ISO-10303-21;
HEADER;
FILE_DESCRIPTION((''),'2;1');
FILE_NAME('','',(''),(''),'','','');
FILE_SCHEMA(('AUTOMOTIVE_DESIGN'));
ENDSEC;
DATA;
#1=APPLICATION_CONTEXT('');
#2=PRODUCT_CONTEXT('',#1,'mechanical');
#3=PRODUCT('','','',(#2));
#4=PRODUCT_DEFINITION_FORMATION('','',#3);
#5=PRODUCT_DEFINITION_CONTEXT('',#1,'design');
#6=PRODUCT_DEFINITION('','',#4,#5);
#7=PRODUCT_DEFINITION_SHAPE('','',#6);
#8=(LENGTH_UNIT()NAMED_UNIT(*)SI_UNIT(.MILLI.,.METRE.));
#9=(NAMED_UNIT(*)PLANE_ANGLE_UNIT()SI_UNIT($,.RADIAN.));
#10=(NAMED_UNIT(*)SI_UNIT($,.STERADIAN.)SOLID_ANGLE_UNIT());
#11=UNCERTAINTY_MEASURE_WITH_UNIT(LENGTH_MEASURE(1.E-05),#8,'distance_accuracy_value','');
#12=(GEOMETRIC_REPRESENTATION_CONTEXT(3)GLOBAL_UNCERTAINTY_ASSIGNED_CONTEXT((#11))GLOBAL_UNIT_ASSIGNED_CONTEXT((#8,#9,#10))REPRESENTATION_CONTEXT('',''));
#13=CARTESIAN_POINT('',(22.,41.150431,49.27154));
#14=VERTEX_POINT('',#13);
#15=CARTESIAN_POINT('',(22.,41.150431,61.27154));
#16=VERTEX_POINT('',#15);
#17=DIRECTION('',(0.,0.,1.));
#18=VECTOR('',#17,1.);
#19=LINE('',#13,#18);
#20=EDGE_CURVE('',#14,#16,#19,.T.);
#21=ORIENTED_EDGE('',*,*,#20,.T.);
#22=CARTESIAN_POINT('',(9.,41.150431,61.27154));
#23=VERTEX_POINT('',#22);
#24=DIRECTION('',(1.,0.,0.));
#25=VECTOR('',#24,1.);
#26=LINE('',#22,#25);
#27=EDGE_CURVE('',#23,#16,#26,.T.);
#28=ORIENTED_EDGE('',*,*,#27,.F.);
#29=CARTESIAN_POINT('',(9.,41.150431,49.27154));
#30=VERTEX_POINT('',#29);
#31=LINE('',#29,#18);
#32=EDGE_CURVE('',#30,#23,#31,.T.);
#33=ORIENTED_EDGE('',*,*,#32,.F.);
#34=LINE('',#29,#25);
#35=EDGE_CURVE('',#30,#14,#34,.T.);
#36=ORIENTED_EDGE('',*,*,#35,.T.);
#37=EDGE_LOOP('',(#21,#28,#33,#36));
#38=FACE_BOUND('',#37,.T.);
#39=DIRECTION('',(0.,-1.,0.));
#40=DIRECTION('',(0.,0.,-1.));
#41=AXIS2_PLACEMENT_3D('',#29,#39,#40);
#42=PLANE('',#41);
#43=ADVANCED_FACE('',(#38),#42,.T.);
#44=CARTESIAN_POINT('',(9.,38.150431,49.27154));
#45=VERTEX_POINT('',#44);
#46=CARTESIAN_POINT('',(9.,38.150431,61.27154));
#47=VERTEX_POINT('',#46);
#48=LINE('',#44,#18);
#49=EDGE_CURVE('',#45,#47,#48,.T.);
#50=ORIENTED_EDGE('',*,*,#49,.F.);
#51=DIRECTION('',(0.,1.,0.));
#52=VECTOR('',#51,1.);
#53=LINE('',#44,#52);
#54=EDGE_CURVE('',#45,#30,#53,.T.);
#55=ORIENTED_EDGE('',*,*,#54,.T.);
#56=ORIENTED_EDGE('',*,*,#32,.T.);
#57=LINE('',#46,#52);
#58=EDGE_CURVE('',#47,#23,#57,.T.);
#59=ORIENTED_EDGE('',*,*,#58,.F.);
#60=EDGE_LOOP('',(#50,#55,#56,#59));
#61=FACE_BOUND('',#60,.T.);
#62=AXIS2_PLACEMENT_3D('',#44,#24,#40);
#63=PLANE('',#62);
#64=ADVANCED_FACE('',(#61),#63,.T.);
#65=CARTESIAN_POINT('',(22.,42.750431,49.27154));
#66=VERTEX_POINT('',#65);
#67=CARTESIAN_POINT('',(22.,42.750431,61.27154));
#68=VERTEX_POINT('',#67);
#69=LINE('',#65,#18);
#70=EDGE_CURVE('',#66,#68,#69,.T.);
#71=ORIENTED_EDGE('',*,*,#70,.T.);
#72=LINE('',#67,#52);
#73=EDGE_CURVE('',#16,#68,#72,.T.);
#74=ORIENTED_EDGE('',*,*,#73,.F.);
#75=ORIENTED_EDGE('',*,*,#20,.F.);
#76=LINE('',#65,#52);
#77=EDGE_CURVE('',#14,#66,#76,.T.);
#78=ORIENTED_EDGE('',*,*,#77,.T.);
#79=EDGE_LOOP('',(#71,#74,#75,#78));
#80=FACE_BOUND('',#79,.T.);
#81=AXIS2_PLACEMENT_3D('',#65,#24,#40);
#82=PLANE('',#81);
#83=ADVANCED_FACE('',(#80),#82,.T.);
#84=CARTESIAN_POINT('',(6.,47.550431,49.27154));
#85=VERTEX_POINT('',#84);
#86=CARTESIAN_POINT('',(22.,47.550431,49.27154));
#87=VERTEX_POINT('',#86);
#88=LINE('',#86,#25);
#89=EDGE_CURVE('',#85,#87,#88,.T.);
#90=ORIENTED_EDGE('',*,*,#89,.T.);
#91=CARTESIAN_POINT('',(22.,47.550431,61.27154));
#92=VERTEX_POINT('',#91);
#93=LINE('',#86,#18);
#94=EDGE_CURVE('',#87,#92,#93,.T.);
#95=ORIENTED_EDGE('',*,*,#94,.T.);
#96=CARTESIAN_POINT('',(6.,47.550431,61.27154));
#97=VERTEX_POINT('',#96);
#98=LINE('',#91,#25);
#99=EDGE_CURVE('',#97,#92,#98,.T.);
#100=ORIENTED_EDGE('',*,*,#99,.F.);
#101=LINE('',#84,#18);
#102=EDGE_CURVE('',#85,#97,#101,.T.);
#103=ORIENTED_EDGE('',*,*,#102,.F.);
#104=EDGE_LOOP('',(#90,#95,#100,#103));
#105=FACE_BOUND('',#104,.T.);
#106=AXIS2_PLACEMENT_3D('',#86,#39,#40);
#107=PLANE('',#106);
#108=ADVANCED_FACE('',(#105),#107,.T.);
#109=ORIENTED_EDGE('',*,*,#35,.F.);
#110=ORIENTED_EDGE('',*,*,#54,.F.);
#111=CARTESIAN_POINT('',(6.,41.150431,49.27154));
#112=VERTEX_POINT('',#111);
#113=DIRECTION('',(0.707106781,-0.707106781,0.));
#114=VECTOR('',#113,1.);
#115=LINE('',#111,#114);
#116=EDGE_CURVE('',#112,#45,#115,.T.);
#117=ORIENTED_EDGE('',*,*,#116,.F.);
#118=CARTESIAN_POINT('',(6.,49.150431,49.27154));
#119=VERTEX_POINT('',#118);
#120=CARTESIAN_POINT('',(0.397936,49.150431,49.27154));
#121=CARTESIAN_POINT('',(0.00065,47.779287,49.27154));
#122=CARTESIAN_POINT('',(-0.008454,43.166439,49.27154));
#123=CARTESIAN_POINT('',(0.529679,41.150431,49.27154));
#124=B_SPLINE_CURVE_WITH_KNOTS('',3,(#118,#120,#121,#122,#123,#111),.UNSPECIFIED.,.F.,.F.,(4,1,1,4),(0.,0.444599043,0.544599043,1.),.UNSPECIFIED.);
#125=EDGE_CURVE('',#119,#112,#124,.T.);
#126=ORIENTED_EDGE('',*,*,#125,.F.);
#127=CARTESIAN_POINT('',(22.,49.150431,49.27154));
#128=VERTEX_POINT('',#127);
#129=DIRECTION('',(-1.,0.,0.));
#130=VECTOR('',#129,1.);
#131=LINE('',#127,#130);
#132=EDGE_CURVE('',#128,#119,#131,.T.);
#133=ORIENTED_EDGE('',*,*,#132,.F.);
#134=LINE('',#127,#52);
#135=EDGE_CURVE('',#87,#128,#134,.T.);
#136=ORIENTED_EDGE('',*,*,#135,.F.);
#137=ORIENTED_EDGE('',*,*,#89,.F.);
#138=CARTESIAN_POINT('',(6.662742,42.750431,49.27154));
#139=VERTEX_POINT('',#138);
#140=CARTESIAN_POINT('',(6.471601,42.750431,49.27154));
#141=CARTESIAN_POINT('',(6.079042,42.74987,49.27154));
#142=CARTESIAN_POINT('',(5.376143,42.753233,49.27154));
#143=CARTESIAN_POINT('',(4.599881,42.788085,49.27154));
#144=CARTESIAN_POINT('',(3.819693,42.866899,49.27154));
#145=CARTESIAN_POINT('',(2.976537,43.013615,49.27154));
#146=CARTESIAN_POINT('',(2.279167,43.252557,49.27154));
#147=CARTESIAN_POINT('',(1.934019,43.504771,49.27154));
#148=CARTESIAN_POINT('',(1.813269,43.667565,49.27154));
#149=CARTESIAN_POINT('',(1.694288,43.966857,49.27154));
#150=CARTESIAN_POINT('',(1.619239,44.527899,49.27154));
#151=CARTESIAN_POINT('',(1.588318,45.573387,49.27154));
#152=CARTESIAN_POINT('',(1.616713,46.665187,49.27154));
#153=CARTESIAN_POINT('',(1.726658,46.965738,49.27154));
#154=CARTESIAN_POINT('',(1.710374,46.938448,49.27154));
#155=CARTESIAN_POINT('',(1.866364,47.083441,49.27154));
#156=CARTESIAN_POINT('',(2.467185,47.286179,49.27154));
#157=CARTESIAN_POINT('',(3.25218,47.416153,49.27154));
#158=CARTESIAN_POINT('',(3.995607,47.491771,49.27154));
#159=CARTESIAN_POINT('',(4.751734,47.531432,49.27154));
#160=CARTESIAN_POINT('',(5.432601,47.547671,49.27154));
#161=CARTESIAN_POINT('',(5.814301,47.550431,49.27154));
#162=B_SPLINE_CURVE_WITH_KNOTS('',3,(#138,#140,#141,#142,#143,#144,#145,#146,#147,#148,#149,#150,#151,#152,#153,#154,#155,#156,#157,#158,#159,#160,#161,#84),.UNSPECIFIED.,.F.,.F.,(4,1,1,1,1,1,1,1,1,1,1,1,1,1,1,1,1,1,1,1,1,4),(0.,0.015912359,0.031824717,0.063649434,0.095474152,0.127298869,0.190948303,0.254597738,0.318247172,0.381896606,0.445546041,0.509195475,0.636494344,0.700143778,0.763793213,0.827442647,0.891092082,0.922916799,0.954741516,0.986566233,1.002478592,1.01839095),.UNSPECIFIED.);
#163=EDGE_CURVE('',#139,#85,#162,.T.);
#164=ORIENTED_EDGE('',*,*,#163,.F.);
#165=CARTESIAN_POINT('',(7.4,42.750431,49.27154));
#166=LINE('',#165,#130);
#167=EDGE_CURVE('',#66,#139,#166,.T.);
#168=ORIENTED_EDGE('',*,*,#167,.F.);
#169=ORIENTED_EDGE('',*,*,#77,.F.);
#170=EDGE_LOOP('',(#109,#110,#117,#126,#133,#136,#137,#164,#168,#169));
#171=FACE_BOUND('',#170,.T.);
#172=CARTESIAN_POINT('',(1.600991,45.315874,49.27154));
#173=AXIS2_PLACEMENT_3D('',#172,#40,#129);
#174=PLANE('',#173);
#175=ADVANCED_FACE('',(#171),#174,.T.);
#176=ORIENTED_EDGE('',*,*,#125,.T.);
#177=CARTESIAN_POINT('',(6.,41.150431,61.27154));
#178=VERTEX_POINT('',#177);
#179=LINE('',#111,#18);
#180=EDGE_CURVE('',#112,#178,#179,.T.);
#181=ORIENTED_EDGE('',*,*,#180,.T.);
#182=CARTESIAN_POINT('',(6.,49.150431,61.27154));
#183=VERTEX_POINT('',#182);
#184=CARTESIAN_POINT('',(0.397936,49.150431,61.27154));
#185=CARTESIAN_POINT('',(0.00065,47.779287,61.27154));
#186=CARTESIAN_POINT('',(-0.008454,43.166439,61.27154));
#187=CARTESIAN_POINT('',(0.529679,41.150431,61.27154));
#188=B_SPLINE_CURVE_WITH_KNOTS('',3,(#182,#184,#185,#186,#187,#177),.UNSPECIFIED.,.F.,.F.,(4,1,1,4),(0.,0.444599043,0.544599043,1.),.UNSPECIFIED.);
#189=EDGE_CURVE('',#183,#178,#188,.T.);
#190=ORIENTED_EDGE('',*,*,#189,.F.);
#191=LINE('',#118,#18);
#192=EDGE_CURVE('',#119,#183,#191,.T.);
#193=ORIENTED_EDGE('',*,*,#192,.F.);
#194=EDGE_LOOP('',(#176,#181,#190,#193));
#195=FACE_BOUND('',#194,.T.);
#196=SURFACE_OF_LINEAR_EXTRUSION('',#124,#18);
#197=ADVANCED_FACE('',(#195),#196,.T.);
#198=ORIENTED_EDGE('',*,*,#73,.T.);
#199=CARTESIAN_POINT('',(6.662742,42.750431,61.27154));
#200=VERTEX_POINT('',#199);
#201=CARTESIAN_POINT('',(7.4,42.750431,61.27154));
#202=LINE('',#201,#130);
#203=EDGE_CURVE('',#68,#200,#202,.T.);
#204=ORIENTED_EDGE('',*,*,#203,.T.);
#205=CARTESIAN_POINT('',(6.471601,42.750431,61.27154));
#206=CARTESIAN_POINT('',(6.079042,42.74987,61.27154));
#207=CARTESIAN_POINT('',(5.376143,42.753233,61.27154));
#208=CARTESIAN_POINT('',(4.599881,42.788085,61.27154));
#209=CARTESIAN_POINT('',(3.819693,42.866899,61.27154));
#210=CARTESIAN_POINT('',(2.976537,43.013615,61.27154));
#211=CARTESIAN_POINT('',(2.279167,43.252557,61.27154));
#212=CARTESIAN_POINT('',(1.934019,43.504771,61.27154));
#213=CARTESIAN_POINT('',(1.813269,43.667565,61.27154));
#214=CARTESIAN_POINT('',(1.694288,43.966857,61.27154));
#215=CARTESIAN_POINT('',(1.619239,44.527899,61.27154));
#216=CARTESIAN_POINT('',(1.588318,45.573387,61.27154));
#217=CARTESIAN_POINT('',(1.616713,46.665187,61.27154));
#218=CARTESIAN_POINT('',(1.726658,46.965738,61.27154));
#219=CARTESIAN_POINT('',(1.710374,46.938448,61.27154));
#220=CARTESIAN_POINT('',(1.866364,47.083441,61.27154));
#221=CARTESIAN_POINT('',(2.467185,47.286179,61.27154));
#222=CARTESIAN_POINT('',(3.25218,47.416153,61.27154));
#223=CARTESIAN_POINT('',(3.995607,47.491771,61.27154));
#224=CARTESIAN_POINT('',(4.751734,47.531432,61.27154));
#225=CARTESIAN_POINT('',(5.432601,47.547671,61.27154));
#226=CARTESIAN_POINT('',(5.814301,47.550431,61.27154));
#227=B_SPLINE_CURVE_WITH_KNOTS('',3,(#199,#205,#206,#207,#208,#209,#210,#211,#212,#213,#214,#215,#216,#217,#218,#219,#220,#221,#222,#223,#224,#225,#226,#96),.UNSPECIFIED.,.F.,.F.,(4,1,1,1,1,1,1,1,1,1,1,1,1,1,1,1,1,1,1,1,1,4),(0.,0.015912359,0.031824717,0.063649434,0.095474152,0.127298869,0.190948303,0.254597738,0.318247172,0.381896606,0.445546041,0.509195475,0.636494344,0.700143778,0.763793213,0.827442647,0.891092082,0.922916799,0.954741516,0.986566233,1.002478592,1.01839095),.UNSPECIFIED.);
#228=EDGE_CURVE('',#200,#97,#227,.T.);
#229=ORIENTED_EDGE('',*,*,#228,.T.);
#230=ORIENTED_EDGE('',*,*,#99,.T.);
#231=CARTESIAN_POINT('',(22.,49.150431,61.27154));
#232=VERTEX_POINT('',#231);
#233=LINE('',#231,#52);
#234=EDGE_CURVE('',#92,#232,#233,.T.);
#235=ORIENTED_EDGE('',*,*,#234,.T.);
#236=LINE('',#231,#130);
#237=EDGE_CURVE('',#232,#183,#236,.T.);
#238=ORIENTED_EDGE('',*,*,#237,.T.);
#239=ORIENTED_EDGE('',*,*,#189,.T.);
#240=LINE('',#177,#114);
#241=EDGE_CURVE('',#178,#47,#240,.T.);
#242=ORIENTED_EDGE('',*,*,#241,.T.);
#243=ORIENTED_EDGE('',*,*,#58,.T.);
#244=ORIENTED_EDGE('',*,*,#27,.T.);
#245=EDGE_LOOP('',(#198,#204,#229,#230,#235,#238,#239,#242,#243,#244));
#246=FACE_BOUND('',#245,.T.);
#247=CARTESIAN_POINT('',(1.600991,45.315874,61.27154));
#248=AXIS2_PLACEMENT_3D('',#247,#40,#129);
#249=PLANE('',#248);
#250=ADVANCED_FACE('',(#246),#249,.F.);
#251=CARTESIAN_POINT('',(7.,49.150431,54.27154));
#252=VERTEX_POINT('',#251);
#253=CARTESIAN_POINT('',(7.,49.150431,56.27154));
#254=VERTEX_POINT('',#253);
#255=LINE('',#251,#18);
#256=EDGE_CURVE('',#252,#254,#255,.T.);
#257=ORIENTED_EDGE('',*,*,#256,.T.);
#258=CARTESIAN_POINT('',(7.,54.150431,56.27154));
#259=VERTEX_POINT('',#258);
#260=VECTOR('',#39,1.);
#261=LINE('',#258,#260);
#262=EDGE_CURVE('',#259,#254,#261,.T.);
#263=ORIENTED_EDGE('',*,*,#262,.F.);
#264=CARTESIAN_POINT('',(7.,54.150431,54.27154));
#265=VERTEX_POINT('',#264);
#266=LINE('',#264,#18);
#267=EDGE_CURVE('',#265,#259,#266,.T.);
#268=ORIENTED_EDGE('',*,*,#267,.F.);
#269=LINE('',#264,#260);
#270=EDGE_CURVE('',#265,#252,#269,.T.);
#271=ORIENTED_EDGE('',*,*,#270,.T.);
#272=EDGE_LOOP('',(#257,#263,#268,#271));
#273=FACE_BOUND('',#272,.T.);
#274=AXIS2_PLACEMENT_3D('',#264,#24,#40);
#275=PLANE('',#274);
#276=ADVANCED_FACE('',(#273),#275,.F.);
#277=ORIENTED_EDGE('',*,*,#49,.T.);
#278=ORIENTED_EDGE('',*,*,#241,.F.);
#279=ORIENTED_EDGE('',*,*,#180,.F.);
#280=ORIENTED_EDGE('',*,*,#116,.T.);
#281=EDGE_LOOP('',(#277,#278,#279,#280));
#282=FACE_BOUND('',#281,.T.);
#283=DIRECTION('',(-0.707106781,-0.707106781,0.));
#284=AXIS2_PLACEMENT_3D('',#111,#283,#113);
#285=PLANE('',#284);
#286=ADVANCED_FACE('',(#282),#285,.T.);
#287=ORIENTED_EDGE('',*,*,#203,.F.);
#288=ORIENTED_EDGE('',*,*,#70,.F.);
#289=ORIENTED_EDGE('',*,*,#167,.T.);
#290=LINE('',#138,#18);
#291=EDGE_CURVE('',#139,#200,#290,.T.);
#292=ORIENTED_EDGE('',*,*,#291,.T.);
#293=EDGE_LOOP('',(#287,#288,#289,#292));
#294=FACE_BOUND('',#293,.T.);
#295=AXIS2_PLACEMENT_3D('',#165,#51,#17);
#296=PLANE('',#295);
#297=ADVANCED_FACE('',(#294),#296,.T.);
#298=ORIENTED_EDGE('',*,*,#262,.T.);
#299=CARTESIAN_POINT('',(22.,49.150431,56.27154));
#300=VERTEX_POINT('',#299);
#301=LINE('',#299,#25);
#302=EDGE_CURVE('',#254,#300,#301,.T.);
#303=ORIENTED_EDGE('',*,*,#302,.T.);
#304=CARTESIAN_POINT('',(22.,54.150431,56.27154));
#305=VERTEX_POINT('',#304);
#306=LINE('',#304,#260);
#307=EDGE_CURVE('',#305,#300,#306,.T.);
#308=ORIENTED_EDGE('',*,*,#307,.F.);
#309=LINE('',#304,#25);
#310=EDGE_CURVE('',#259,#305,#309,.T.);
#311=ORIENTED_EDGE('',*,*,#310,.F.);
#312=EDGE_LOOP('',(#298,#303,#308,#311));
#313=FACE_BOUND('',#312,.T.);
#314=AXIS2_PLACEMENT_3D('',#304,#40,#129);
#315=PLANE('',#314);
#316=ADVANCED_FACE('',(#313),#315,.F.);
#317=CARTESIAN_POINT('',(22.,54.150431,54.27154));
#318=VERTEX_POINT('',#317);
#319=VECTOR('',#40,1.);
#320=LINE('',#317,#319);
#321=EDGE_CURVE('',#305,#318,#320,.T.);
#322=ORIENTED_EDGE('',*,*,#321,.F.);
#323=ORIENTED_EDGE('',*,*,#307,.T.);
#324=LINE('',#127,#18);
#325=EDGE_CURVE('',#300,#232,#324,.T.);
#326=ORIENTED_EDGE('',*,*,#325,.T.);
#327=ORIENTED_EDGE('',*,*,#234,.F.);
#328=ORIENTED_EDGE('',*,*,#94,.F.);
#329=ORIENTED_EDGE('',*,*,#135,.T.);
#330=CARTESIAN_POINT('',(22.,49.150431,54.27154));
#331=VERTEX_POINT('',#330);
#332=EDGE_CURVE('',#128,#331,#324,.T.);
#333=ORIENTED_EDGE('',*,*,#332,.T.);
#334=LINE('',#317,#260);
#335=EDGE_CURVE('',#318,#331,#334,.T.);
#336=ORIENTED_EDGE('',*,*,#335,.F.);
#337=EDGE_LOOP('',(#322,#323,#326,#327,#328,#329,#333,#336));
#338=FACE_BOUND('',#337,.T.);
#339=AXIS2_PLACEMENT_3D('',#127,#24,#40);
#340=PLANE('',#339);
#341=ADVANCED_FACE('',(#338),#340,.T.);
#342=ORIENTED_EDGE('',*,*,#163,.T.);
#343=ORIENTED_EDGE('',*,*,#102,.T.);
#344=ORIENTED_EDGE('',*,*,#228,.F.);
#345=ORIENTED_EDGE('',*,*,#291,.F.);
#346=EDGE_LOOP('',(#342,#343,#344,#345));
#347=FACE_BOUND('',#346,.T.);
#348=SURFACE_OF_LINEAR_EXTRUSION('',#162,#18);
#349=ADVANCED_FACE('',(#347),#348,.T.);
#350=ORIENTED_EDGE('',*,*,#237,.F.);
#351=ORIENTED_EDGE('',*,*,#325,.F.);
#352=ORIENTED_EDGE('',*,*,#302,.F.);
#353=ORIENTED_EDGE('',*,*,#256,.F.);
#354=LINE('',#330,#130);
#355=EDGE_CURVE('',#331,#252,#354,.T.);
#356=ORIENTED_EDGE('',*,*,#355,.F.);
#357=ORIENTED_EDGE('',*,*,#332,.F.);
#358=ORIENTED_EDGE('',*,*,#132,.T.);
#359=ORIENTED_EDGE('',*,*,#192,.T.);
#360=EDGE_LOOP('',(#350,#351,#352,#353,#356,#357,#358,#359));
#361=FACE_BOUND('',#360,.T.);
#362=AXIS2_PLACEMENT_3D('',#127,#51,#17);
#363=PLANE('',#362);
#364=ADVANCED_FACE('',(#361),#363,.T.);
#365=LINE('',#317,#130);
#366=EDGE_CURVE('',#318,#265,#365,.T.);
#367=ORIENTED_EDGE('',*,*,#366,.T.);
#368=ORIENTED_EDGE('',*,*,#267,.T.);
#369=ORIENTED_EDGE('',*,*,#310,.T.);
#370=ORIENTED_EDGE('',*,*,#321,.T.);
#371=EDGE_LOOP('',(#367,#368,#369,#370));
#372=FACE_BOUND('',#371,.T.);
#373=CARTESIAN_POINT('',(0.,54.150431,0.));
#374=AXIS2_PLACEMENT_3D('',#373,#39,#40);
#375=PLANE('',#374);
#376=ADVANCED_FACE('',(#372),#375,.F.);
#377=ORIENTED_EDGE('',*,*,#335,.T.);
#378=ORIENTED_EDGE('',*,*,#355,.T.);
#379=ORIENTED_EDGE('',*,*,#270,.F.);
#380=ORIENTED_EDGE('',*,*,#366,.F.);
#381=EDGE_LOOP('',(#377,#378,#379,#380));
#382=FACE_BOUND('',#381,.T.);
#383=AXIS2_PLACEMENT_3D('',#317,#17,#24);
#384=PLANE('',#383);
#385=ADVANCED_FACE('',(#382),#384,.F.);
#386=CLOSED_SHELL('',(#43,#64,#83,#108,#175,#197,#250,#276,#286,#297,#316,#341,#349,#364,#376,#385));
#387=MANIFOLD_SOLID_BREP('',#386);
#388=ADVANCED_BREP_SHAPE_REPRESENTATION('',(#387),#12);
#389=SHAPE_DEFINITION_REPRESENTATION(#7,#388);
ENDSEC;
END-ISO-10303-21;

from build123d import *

# Parameters (mm, degrees)
BOSS_EXTRUDE1_DEPTH = 12
SKETCH4_W           = 15
SKETCH4_H           = 2
BOSS_EXTRUDE2_DEPTH = 5


with BuildPart() as part:
    # Sketch3 → Boss-Extrude1 (new body)
    with BuildSketch(Plane.XY.offset(61.271539715)):
        with BuildLine():
            Line((22, 49.150430771), (6, 49.150430771))
            add(Edge.make_bspline(
                [(6, 49.150430771), (0.397936137, 49.150430771), (0.000649692, 47.779287293), (-0.008454, 43.166439227), (0.529679054, 41.150430771), (6, 41.150430771)],
                knots=[0, 0, 0, 0, 0.444599043, 0.544599043, 1, 1, 1, 1], degree=3))
            Line((6, 41.150430771), (9, 38.150430771))
            Line((9, 38.150430771), (9, 41.150430771))
            Line((9, 41.150430771), (22, 41.150430771))
            Line((22, 41.150430771), (22, 42.750430771))
            Line((22, 42.750430771), (7.4, 42.750430771))
            Line((7.4, 42.750430771), (6.6627417, 42.750430771))
            add(Edge.make_bspline(
                [(6, 47.550430771), (5.814300885, 47.550430771), (5.432601297, 47.547671152), (4.751733662, 47.531432192), (3.995606566, 47.491771372), (3.252179793, 47.416153303), (2.467185464, 47.286178925), (1.86636449, 47.08344062), (1.710373783, 46.938448113), (1.726658165, 46.965738219), (1.616713293, 46.665186808), (1.588317561, 45.573387193), (1.619239413, 44.52789914), (1.694287589, 43.966857293), (1.813269122, 43.66756524), (1.934018721, 43.504771298), (2.279167095, 43.252557491), (2.976537313, 43.013614634), (3.819693321, 42.866898514), (4.599880812, 42.788084551), (5.376142657, 42.753233409), (6.079041938, 42.749870243), (6.471600888, 42.750430771), (6.6627417, 42.750430771)],
                knots=[0, 0, 0, 0, 0.015912359, 0.031824717, 0.063649434, 0.095474152, 0.127298869, 0.190948303, 0.254597738, 0.318247172, 0.381896606, 0.509195475, 0.57284491, 0.636494344, 0.700143778, 0.763793213, 0.827442647, 0.891092082, 0.922916799, 0.954741516, 0.986566233, 1.002478592, 1.01839095, 1.01839095, 1.01839095, 1.01839095], degree=3))
            Line((6, 47.550430771), (22, 47.550430771))
            Line((22, 47.550430771), (22, 49.150430771))
        make_face()
    extrude(amount=-BOSS_EXTRUDE1_DEPTH)

    # Sketch4 → Boss-Extrude2 (add)
    with BuildSketch(Plane(origin=(0, 49.150430771, 0), x_dir=(1, 0, 0), z_dir=(0, 1, 0))):
        with Locations((14.5, -55.271539715)):
            Rectangle(SKETCH4_W, SKETCH4_H)
    extrude(amount=BOSS_EXTRUDE2_DEPTH)


solid = part.part
